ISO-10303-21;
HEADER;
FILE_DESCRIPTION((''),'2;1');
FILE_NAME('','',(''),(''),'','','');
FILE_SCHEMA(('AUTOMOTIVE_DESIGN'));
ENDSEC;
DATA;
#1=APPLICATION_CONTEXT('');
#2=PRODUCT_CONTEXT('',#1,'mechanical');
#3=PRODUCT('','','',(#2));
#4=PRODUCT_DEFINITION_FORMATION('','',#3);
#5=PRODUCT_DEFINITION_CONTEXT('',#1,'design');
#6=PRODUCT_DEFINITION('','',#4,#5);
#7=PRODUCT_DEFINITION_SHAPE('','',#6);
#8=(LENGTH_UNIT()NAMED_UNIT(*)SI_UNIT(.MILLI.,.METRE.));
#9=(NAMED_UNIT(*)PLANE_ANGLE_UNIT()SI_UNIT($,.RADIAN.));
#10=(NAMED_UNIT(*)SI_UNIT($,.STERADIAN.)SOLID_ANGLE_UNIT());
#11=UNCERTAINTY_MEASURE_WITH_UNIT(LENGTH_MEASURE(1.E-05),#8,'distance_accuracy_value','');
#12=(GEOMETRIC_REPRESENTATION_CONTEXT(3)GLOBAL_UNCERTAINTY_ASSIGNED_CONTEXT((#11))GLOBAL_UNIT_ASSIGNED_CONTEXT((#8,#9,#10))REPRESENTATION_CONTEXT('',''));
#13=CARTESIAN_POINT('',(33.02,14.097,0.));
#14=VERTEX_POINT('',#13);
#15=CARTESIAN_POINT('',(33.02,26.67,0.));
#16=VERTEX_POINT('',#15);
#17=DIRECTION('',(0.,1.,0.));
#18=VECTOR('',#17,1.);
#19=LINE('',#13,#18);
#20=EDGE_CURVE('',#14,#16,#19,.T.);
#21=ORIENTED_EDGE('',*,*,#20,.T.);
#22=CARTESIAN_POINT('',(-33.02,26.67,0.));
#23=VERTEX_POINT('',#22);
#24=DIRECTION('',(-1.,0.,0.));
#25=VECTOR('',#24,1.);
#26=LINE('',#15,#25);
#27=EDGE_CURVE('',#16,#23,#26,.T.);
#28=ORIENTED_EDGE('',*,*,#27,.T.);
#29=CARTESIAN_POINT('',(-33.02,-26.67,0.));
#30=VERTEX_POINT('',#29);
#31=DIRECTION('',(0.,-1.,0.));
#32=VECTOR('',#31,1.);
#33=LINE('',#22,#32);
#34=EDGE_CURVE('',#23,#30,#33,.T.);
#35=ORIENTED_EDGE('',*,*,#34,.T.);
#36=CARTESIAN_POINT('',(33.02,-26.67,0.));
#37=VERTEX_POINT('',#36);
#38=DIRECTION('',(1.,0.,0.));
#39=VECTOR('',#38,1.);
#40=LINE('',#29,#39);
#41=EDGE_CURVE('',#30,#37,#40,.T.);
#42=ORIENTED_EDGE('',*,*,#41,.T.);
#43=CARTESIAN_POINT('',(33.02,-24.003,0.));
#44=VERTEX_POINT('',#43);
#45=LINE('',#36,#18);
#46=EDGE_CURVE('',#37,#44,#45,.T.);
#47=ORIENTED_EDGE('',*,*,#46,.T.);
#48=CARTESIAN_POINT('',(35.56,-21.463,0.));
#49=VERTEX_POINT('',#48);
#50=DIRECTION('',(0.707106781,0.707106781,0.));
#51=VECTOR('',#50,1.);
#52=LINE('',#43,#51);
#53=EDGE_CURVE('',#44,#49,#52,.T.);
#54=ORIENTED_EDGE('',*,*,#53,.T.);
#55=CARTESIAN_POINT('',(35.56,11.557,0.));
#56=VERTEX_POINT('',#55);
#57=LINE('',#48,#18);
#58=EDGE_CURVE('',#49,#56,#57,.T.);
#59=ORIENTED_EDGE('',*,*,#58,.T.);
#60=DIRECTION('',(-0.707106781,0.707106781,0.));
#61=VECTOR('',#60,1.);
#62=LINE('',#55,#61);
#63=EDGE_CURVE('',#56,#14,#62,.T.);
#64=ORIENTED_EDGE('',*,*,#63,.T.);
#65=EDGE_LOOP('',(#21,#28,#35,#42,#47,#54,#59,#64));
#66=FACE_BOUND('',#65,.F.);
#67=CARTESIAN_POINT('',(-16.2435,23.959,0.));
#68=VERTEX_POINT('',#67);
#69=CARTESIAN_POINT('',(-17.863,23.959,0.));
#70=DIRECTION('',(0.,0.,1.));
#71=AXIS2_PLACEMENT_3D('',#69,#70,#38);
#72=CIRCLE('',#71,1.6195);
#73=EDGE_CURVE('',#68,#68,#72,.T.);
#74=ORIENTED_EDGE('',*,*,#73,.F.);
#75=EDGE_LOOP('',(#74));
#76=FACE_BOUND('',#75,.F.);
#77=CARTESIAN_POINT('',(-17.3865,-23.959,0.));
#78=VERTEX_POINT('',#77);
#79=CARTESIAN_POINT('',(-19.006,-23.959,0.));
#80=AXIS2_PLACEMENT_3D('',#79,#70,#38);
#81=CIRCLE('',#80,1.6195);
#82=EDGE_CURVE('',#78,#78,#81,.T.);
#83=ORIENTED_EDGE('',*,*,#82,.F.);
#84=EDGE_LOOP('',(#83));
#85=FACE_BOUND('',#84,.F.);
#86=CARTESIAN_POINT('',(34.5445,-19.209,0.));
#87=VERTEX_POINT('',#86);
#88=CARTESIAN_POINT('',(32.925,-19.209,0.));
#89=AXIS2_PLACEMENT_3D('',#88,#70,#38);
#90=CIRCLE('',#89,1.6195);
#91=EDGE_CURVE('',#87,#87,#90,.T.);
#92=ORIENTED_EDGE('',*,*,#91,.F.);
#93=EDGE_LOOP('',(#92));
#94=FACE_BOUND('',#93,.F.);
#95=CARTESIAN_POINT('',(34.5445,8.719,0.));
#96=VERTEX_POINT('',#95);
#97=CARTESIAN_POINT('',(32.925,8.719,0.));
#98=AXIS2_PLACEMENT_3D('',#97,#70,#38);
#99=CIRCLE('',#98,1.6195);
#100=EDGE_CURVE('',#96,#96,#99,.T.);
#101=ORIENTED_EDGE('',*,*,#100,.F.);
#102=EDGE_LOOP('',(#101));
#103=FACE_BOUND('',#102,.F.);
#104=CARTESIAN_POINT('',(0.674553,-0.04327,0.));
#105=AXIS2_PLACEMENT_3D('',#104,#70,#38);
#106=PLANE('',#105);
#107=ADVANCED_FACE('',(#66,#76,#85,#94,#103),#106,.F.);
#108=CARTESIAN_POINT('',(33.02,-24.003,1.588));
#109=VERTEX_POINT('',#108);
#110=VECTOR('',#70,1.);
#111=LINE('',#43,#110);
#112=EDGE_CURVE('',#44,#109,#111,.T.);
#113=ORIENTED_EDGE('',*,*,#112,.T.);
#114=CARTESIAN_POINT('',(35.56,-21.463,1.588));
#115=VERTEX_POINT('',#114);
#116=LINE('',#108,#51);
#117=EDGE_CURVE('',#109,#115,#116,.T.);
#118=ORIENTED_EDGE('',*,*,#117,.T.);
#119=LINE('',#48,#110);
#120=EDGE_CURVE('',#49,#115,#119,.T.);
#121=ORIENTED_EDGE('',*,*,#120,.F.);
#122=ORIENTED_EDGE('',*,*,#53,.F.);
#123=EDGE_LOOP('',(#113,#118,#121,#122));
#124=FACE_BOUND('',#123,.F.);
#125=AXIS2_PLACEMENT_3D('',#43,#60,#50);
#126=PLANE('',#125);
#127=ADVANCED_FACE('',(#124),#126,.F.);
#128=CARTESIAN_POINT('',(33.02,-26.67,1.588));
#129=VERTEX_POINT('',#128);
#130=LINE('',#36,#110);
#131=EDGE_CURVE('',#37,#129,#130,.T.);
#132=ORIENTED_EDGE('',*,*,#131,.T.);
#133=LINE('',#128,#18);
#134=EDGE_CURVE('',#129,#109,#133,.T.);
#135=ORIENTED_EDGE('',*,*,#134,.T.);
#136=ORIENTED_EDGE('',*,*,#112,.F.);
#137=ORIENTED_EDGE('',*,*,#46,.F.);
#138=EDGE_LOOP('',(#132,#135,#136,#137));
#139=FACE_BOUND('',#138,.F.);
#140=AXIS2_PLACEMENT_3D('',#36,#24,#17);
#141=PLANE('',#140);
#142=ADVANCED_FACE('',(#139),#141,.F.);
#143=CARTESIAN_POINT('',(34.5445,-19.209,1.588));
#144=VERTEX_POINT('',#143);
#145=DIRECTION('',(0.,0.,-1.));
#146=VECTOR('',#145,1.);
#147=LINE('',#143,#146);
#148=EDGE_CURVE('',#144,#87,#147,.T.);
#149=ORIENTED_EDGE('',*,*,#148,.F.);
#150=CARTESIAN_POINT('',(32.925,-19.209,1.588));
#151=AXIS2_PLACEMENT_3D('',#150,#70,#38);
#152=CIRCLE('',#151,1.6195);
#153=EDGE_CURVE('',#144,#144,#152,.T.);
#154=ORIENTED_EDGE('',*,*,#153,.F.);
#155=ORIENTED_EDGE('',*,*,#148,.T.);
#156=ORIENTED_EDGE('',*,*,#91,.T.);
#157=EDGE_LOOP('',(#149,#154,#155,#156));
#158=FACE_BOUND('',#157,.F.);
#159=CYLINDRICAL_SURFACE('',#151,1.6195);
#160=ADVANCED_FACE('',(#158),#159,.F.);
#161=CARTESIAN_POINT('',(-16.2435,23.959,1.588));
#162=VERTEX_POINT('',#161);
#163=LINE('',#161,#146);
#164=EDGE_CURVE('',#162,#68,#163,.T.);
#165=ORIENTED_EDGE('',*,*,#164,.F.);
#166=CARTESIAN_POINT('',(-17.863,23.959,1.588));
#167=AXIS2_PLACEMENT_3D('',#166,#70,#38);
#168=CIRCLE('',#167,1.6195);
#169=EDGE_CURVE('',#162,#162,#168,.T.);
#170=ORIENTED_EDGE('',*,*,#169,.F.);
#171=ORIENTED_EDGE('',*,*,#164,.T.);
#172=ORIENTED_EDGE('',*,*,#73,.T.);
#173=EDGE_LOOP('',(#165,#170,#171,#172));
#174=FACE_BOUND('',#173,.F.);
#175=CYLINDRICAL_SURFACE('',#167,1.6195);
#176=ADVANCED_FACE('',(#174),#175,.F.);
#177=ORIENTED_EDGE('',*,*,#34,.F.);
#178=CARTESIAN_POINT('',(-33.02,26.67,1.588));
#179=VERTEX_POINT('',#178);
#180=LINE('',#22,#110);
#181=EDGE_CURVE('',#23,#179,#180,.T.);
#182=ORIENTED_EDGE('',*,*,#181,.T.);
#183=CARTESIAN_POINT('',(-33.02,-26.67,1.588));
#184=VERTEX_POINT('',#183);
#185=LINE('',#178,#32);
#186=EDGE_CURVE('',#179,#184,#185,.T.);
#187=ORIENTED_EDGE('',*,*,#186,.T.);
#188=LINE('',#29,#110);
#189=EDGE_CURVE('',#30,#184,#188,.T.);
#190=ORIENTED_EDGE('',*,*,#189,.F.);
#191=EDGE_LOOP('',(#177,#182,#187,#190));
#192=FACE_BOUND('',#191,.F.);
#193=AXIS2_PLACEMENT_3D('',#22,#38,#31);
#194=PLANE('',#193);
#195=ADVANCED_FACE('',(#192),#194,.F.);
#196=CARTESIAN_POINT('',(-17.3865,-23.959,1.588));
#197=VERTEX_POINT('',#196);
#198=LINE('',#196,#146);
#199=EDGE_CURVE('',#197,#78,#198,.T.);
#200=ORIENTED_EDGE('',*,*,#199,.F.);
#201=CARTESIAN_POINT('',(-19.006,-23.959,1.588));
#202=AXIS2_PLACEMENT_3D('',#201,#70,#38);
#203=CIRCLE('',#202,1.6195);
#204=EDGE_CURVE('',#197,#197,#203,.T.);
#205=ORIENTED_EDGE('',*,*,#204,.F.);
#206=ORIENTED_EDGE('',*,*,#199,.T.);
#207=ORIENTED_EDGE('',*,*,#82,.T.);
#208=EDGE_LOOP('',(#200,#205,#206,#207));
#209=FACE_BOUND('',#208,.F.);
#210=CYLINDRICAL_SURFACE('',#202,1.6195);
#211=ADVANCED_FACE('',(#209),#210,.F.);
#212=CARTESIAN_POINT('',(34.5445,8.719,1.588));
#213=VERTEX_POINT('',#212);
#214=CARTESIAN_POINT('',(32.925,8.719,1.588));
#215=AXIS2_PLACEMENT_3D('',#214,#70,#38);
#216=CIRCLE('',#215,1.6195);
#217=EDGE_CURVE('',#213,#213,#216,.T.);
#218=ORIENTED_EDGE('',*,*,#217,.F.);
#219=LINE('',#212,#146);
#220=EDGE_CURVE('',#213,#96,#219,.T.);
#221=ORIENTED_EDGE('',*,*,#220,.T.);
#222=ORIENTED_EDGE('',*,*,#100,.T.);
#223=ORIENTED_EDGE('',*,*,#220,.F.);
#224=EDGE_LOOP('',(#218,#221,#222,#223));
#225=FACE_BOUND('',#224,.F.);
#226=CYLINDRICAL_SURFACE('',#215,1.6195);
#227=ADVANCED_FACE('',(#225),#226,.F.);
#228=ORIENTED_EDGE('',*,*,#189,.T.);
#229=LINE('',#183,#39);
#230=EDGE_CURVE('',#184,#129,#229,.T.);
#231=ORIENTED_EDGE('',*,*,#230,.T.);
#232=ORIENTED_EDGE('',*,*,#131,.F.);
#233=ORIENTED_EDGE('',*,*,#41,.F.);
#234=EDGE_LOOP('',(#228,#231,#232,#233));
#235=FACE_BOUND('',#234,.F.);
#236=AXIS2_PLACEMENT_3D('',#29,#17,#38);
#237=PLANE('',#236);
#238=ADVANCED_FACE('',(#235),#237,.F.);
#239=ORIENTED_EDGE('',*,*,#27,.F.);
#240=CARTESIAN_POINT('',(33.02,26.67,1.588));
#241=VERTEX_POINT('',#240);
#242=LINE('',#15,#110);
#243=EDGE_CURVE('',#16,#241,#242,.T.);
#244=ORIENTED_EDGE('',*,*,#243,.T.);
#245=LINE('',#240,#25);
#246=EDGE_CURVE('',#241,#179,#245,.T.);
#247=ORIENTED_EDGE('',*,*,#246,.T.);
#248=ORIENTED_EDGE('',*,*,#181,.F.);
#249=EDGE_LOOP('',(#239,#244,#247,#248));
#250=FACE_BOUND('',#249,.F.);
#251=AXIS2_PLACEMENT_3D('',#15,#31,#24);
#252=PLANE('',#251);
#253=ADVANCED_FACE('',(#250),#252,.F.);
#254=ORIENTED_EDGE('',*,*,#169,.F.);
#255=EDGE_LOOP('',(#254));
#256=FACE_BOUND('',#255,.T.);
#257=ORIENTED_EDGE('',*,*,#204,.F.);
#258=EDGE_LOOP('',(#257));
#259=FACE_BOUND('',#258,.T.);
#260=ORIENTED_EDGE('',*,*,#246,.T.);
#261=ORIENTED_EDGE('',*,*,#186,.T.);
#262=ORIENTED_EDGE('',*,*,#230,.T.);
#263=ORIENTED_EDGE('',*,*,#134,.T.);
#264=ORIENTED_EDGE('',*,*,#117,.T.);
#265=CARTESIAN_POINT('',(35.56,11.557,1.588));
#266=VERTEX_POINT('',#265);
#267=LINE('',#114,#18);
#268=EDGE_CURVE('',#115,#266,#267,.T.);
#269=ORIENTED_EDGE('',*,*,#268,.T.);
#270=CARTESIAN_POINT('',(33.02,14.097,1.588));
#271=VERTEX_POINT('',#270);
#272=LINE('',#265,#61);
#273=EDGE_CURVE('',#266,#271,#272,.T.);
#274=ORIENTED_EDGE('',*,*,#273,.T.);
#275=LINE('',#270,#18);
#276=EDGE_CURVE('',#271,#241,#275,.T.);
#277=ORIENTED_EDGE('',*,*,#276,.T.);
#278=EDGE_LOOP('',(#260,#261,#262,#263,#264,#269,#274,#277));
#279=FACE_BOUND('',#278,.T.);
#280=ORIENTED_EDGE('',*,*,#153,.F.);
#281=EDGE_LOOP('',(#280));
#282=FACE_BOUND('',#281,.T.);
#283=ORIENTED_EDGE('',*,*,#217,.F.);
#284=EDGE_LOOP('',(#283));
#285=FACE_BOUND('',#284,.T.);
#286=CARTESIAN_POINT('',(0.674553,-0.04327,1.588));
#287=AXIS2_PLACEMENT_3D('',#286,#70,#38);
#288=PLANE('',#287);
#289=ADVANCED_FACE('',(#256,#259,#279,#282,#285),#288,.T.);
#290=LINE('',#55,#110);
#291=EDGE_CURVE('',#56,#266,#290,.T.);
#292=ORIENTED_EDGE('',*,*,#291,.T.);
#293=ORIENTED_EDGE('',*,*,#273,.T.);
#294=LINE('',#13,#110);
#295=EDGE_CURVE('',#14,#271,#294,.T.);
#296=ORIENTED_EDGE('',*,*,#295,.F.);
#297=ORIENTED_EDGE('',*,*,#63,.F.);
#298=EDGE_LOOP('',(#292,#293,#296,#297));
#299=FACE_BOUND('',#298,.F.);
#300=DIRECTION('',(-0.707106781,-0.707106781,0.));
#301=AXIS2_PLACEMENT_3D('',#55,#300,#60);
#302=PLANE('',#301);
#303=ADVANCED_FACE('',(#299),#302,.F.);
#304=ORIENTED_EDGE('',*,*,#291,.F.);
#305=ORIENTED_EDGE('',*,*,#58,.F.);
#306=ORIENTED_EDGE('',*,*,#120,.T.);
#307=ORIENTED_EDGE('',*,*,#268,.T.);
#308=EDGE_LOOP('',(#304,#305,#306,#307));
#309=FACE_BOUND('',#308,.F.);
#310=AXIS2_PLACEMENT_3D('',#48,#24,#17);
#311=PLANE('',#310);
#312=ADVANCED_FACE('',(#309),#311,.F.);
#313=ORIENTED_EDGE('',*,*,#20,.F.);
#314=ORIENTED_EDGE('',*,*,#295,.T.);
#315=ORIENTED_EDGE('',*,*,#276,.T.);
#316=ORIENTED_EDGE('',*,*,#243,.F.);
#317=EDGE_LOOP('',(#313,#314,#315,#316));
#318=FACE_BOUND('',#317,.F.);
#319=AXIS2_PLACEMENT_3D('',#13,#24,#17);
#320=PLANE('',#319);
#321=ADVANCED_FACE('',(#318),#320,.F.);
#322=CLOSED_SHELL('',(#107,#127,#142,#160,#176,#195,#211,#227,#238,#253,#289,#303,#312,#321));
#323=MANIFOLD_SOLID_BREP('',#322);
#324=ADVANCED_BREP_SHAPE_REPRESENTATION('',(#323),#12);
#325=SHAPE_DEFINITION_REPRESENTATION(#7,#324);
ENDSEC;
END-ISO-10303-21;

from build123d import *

# Parameters (mm, degrees)
F1_DEPTH = 1.588
F2_R     = 1.6195
F3_DEPTH = 1.589


with BuildPart() as f1:
    # F0 (on Top) → F1 (new body)
    with BuildSketch(Plane.XY):
        Polygon((33.02, 26.67), (-33.02, 26.67), (-33.02, -26.67), (33.02, -26.67), (33.02, -24.003), (35.56, -21.463), (35.56, 11.557), (33.02, 14.097), align=None)
    extrude(amount=F1_DEPTH)

    # F2 (on face) → F3 (cut, through all)
    with BuildSketch(Plane.XY.offset(1.588)):
        with Locations((-17.863, 23.959)):
            Circle(F2_R)
        with Locations((-19.006, -23.959)):
            Circle(F2_R)
        with Locations((32.925, 8.719)):
            Circle(F2_R)
        with Locations((32.925, -19.209)):
            Circle(F2_R)
    extrude(amount=-F3_DEPTH, mode=Mode.SUBTRACT)


solid = f1.part
